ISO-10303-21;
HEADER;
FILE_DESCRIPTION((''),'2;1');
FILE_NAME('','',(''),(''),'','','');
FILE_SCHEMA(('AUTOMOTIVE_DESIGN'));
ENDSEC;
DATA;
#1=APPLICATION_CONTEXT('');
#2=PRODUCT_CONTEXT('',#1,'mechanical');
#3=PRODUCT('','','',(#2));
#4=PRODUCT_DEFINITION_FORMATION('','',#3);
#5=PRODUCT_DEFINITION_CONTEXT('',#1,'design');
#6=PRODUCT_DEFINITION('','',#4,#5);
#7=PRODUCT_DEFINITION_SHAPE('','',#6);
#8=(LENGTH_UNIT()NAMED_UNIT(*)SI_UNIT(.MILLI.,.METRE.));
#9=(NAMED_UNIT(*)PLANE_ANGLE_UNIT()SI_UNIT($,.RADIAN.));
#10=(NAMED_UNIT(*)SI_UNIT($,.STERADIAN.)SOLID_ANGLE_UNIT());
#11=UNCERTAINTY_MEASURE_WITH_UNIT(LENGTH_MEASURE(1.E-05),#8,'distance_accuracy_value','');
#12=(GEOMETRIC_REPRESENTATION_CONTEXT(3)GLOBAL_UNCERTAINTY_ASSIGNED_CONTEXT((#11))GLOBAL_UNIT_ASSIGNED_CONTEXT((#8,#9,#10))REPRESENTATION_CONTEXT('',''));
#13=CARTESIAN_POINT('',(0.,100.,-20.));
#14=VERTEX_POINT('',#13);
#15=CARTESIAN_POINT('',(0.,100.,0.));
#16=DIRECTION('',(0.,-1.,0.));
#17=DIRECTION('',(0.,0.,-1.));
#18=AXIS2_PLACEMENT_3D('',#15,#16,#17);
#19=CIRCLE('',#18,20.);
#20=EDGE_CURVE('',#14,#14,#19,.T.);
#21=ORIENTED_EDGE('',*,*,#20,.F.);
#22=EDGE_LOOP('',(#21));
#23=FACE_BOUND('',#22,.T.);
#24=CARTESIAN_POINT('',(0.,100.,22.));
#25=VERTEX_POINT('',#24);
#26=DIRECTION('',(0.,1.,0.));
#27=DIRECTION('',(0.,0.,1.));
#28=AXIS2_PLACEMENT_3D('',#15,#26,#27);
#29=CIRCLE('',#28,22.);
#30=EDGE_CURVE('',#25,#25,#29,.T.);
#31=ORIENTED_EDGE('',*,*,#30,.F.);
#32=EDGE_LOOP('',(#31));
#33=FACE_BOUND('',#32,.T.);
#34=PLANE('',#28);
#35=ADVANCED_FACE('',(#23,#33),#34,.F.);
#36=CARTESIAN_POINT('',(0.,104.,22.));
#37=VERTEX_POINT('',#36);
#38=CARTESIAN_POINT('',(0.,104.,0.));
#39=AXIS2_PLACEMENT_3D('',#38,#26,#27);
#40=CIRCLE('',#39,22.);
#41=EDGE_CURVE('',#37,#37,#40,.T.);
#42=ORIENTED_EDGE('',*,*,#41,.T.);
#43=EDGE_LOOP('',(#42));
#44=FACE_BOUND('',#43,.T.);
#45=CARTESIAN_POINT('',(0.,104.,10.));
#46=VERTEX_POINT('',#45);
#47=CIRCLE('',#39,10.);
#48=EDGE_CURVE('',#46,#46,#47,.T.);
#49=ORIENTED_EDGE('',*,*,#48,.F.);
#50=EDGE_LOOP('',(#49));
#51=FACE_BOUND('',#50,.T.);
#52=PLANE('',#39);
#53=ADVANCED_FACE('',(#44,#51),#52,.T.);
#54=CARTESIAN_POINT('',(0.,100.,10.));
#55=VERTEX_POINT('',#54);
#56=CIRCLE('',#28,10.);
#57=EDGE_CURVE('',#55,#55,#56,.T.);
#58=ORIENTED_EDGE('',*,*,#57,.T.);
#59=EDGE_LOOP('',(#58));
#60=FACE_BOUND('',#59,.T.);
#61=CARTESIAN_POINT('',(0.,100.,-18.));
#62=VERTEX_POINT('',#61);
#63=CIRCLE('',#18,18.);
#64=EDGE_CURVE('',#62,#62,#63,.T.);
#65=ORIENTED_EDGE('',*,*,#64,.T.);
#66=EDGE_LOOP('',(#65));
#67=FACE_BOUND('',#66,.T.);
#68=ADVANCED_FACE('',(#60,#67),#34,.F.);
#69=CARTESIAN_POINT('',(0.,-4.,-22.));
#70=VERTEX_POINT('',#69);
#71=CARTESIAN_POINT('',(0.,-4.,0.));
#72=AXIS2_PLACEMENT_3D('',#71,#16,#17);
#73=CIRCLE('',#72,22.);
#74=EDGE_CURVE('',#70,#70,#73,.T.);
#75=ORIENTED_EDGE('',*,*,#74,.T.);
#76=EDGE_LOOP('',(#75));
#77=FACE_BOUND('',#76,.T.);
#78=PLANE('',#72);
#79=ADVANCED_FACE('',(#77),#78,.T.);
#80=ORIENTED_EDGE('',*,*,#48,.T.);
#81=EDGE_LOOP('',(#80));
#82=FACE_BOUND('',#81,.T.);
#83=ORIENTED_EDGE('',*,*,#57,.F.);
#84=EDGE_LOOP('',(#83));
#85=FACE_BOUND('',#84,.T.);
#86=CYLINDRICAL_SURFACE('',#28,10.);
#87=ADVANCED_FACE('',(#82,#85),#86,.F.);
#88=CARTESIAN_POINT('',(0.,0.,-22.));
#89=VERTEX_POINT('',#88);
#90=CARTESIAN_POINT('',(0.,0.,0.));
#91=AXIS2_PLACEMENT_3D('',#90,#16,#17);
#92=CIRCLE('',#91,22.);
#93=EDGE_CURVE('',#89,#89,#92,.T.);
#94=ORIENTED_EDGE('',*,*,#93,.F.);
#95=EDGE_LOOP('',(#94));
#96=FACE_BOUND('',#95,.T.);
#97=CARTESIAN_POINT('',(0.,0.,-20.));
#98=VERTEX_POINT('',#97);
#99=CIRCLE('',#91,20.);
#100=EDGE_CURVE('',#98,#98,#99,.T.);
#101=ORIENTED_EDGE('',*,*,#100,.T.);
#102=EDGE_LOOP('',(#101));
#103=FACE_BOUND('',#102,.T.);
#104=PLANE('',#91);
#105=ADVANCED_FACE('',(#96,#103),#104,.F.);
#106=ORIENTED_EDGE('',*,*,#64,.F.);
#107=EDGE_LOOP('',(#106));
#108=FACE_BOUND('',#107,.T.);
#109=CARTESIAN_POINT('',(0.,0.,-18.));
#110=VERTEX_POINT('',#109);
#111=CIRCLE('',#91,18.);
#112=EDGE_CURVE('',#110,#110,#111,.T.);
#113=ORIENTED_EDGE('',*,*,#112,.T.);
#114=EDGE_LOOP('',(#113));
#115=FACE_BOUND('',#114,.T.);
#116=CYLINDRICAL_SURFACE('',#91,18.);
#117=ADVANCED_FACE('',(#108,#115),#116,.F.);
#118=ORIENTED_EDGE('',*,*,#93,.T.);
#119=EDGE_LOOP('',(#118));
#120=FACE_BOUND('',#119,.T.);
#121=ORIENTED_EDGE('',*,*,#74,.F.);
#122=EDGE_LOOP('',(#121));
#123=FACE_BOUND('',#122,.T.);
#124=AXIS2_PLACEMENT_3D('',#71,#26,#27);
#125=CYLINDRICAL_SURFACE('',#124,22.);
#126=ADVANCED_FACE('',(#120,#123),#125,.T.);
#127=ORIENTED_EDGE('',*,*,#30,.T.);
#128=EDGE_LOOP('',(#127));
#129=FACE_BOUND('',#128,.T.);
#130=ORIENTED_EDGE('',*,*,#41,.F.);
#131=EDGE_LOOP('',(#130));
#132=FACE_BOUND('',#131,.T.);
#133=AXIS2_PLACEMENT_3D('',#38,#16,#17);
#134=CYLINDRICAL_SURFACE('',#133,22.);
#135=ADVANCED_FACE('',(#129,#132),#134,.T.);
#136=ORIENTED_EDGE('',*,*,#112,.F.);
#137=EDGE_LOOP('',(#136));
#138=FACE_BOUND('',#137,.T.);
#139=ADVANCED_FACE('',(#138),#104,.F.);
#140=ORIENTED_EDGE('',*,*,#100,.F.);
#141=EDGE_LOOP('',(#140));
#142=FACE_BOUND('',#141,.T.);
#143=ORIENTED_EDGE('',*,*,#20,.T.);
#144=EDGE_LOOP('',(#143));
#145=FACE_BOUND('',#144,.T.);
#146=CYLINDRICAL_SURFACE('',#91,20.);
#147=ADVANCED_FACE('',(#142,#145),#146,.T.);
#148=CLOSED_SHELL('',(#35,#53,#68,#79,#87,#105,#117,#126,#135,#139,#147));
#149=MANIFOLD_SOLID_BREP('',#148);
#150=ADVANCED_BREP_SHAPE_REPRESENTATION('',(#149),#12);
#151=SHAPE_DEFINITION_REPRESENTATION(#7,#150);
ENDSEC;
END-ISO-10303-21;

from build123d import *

# Parameters (mm, degrees)
SKETCH1_W           = 2
SKETCH1_H           = 100
SKETCH2_R           = 22
BOSS_EXTRUDE1_DEPTH = 4
BOSS_EXTRUDE2_START = 4
SKETCH3_R           = 22
BOSS_EXTRUDE2_DEPTH = 4
SKETCH4_R           = 10
CUT_EXTRUDE1_DEPTH  = 4


with BuildPart() as part:
    # Sketch1 → Revolve1 (revolve)
    with BuildSketch(Plane.XY, mode=Mode.PRIVATE) as revolve1_sk:
        with Locations((19, 50)):
            Rectangle(SKETCH1_W, SKETCH1_H)
    revolve(revolve1_sk.sketch.rotate(Axis((0, 0, 0), (0, 1, 0)), 90), axis=Axis((0, 0, 0), (0, 1, 0)))

    # Sketch2 → Boss-Extrude1 (add)
    with BuildSketch(Plane(origin=(0, 100, 0), x_dir=(1, 0, 0), z_dir=(0, 1, 0))):
        with Locations(Location((0, 0, 0), (0, 0, 270))):
            Circle(SKETCH2_R)
    extrude(amount=BOSS_EXTRUDE1_DEPTH)

    # Sketch3 → Boss-Extrude2 (add)
    with BuildSketch(Plane.XZ.offset(BOSS_EXTRUDE2_START)):
        with Locations(Location((0, 0, 0), (0, 0, 90))):
            Circle(SKETCH3_R)
    extrude(amount=-BOSS_EXTRUDE2_DEPTH)

    # Sketch4 → Cut-Extrude1 (cut)
    with BuildSketch(Plane(origin=(0, 104, 0), x_dir=(1, 0, 0), z_dir=(0, 1, 0))):
        with Locations(Location((0, 0, 0), (0, 0, 270))):
            Circle(SKETCH4_R)
    extrude(amount=-CUT_EXTRUDE1_DEPTH, mode=Mode.SUBTRACT)


solid = part.part
